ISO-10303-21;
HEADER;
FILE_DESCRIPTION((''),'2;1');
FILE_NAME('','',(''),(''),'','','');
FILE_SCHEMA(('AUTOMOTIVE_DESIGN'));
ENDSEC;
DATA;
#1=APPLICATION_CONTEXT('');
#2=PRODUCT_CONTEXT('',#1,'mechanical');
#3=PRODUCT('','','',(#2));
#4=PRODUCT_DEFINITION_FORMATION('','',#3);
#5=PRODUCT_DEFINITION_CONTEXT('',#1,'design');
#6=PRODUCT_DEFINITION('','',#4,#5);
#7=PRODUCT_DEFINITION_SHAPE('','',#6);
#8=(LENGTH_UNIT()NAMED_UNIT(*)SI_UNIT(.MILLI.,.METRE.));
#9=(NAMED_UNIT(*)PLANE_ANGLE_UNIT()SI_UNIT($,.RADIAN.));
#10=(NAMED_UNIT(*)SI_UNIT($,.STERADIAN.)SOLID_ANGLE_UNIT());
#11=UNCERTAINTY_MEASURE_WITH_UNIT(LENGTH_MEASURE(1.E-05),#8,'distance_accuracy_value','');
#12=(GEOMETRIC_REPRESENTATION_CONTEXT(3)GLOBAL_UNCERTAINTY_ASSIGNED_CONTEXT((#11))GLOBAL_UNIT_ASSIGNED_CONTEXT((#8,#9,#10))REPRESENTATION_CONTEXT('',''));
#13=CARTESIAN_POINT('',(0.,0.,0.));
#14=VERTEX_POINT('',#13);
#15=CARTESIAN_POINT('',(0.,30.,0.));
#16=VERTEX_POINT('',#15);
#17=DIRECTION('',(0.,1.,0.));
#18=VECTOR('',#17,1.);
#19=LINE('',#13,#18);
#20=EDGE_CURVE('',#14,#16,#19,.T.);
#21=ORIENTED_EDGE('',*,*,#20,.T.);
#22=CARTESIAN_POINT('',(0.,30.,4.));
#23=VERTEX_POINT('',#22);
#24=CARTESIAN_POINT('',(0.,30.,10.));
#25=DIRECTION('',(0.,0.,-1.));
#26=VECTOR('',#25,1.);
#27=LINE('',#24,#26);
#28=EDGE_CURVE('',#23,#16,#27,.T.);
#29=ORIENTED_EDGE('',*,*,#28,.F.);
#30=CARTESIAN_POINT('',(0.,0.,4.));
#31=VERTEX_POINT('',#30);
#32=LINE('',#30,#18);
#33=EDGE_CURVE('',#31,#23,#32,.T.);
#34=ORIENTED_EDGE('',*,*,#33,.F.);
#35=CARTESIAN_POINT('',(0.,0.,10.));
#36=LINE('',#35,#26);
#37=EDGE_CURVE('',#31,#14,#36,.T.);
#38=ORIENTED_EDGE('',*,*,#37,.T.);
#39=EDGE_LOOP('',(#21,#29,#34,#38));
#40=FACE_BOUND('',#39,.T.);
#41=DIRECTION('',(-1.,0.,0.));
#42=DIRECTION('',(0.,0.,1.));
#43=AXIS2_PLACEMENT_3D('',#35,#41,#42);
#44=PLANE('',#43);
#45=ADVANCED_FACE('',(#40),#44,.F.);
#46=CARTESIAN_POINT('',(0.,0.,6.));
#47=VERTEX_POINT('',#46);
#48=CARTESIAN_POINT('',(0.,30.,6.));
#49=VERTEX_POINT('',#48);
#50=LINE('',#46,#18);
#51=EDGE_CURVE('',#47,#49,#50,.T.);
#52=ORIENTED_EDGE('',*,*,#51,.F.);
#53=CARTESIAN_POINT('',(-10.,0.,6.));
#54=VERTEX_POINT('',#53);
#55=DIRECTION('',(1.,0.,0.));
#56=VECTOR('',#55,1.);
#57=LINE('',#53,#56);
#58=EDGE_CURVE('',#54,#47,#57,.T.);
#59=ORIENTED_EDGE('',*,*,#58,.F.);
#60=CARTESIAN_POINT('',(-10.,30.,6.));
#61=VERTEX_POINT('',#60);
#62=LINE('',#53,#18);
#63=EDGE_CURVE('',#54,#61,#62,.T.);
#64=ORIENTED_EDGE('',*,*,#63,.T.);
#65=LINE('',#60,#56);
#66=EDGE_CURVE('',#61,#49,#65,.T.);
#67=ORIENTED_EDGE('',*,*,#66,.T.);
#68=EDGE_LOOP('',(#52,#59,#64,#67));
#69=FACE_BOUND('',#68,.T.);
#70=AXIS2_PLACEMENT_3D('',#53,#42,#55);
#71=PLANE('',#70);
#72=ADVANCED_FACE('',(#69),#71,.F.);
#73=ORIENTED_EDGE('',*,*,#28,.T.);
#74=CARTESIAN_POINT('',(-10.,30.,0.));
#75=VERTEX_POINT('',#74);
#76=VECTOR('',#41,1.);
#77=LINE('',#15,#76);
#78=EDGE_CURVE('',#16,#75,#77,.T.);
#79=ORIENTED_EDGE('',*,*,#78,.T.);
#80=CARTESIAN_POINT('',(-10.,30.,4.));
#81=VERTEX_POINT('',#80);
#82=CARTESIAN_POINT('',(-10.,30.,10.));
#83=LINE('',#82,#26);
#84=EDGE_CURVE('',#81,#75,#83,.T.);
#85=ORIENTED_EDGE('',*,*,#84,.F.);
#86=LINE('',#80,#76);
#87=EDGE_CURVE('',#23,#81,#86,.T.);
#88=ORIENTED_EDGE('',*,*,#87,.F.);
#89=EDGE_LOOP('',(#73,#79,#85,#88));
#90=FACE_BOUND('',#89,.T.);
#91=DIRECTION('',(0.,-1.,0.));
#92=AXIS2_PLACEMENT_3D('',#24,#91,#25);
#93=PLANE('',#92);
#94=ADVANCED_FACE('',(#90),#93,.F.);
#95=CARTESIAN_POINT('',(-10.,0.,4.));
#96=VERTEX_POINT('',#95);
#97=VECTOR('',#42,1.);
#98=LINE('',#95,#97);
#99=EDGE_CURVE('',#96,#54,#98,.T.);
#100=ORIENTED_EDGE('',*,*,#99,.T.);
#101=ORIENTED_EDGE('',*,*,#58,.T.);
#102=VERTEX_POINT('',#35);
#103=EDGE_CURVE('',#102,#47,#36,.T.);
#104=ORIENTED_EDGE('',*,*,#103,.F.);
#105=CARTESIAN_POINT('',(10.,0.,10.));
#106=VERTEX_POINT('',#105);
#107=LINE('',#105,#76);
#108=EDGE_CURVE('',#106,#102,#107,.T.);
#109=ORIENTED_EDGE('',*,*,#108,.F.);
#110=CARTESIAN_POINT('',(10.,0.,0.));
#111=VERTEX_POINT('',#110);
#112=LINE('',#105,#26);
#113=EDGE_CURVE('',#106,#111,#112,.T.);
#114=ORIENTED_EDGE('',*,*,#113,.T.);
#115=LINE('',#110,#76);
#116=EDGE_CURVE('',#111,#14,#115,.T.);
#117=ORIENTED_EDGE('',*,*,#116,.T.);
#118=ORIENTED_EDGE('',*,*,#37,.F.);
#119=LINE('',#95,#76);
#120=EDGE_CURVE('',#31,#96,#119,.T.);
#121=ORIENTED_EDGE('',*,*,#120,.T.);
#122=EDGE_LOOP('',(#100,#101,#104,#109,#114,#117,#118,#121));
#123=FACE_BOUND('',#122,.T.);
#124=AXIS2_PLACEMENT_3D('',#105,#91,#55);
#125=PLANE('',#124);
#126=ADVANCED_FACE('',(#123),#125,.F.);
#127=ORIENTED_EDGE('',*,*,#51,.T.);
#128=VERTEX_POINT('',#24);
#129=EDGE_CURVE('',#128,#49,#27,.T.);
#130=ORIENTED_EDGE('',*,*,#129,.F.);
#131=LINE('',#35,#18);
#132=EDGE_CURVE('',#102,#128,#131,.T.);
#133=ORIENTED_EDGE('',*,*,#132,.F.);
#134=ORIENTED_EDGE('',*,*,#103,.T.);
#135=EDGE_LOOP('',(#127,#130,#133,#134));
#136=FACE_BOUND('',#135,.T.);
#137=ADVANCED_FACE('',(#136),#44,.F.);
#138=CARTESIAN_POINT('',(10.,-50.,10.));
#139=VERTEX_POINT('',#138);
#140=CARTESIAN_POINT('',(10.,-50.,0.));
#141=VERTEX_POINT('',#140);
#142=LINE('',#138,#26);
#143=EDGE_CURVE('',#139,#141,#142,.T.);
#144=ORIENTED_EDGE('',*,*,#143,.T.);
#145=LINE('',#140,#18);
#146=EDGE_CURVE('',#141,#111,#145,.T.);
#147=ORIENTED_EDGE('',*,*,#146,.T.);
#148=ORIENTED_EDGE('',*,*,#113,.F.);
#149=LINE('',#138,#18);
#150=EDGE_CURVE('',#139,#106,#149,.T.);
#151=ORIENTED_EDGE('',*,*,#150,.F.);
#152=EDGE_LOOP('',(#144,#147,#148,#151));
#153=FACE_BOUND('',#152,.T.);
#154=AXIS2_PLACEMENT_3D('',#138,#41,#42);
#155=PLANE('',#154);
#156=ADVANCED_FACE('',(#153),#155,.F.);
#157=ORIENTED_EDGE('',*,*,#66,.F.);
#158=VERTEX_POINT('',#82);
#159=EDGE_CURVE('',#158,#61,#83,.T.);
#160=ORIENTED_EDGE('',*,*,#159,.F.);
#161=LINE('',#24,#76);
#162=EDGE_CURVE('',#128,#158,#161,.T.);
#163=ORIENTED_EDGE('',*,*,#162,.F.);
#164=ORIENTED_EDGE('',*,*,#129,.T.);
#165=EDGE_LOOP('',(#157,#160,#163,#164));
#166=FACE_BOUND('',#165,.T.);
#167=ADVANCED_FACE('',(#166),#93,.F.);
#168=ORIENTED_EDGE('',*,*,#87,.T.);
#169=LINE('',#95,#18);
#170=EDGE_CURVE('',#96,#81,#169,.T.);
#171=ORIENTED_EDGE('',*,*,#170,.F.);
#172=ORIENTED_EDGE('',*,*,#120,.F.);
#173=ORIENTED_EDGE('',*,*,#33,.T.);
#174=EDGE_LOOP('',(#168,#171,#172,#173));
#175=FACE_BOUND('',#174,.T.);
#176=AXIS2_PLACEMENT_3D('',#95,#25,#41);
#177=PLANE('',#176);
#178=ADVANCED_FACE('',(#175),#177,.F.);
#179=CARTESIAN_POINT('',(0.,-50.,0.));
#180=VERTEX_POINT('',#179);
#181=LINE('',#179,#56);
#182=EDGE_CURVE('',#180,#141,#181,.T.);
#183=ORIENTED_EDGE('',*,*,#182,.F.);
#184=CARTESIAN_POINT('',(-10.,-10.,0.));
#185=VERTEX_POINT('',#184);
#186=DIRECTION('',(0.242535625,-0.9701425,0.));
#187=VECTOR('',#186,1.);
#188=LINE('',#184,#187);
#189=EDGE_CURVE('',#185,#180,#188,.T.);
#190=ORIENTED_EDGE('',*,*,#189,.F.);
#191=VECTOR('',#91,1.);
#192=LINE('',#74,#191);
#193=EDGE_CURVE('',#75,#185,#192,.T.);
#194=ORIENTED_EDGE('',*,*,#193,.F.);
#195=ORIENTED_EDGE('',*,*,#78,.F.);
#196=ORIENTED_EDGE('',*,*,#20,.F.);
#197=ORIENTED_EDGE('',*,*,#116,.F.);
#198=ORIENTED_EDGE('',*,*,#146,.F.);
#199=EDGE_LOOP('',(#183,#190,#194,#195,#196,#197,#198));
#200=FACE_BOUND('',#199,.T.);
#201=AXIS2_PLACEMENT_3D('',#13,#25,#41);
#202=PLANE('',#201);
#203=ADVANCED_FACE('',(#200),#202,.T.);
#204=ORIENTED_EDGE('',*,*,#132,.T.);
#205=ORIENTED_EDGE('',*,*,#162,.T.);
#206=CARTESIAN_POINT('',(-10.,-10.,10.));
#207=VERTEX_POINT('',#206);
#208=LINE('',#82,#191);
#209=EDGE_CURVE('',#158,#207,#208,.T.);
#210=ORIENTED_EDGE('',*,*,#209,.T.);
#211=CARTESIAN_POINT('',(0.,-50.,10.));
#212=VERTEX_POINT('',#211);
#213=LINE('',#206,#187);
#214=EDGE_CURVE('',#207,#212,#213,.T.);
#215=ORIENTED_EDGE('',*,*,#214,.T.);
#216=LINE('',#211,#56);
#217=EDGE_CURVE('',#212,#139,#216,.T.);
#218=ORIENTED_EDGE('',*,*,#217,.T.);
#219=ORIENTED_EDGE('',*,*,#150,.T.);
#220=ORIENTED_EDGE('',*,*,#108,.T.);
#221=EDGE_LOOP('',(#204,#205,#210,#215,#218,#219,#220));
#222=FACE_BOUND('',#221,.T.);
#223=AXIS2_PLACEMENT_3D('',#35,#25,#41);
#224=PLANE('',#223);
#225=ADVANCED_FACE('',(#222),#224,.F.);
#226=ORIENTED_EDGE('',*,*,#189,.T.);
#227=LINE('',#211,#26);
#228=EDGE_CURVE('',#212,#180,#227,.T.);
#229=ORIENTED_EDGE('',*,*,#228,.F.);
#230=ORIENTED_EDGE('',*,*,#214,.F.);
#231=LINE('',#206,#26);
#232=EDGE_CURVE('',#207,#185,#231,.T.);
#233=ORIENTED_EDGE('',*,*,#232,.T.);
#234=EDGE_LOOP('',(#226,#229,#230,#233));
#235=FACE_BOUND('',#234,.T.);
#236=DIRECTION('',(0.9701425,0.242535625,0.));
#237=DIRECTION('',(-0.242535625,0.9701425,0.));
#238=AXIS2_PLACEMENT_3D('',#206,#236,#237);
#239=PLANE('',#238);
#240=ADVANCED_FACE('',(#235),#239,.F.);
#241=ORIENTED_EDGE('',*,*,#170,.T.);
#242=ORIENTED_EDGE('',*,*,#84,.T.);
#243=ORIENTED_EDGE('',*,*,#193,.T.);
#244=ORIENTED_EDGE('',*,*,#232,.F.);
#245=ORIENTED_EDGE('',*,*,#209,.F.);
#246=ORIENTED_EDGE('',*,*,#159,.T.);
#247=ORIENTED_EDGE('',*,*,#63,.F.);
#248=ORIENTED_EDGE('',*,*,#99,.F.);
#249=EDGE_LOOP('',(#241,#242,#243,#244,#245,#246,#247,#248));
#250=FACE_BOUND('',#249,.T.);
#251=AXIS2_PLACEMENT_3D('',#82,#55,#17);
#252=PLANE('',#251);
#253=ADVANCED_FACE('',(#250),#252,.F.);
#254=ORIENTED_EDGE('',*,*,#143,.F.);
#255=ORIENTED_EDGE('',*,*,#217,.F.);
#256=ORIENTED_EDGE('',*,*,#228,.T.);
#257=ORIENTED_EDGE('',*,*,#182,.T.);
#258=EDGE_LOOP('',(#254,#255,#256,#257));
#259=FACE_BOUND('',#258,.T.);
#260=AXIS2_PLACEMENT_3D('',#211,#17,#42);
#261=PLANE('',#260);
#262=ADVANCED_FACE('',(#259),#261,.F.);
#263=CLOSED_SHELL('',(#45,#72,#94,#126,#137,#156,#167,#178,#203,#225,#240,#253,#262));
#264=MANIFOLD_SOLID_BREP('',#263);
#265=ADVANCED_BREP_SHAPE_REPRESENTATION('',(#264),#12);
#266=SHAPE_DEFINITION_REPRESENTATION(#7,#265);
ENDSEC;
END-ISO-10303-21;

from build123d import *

# Parameters (mm, degrees)
BOSS_EXTRUDE1_DEPTH = 10
SKETCH2_W           = 10
SKETCH2_H           = 2
CUT_EXTRUDE1_DEPTH  = 30


with BuildPart() as part:
    # Sketch1 → Boss-Extrude1 (new body)
    with BuildSketch(Plane.XY):
        Polygon((0, 0), (0, 30), (-10, 30), (-10, -10), (0, -50), (10, -50), (10, 0), align=None)
    extrude(amount=BOSS_EXTRUDE1_DEPTH)

    # Sketch2 → Cut-Extrude1 (cut)
    with BuildSketch(Plane(origin=(0, 30, 0), x_dir=(1, 0, 0), z_dir=(0, 1, 0))):
        with Locations((-5, -5)):
            Rectangle(SKETCH2_W, SKETCH2_H)
    extrude(amount=-CUT_EXTRUDE1_DEPTH, mode=Mode.SUBTRACT)


solid = part.part
